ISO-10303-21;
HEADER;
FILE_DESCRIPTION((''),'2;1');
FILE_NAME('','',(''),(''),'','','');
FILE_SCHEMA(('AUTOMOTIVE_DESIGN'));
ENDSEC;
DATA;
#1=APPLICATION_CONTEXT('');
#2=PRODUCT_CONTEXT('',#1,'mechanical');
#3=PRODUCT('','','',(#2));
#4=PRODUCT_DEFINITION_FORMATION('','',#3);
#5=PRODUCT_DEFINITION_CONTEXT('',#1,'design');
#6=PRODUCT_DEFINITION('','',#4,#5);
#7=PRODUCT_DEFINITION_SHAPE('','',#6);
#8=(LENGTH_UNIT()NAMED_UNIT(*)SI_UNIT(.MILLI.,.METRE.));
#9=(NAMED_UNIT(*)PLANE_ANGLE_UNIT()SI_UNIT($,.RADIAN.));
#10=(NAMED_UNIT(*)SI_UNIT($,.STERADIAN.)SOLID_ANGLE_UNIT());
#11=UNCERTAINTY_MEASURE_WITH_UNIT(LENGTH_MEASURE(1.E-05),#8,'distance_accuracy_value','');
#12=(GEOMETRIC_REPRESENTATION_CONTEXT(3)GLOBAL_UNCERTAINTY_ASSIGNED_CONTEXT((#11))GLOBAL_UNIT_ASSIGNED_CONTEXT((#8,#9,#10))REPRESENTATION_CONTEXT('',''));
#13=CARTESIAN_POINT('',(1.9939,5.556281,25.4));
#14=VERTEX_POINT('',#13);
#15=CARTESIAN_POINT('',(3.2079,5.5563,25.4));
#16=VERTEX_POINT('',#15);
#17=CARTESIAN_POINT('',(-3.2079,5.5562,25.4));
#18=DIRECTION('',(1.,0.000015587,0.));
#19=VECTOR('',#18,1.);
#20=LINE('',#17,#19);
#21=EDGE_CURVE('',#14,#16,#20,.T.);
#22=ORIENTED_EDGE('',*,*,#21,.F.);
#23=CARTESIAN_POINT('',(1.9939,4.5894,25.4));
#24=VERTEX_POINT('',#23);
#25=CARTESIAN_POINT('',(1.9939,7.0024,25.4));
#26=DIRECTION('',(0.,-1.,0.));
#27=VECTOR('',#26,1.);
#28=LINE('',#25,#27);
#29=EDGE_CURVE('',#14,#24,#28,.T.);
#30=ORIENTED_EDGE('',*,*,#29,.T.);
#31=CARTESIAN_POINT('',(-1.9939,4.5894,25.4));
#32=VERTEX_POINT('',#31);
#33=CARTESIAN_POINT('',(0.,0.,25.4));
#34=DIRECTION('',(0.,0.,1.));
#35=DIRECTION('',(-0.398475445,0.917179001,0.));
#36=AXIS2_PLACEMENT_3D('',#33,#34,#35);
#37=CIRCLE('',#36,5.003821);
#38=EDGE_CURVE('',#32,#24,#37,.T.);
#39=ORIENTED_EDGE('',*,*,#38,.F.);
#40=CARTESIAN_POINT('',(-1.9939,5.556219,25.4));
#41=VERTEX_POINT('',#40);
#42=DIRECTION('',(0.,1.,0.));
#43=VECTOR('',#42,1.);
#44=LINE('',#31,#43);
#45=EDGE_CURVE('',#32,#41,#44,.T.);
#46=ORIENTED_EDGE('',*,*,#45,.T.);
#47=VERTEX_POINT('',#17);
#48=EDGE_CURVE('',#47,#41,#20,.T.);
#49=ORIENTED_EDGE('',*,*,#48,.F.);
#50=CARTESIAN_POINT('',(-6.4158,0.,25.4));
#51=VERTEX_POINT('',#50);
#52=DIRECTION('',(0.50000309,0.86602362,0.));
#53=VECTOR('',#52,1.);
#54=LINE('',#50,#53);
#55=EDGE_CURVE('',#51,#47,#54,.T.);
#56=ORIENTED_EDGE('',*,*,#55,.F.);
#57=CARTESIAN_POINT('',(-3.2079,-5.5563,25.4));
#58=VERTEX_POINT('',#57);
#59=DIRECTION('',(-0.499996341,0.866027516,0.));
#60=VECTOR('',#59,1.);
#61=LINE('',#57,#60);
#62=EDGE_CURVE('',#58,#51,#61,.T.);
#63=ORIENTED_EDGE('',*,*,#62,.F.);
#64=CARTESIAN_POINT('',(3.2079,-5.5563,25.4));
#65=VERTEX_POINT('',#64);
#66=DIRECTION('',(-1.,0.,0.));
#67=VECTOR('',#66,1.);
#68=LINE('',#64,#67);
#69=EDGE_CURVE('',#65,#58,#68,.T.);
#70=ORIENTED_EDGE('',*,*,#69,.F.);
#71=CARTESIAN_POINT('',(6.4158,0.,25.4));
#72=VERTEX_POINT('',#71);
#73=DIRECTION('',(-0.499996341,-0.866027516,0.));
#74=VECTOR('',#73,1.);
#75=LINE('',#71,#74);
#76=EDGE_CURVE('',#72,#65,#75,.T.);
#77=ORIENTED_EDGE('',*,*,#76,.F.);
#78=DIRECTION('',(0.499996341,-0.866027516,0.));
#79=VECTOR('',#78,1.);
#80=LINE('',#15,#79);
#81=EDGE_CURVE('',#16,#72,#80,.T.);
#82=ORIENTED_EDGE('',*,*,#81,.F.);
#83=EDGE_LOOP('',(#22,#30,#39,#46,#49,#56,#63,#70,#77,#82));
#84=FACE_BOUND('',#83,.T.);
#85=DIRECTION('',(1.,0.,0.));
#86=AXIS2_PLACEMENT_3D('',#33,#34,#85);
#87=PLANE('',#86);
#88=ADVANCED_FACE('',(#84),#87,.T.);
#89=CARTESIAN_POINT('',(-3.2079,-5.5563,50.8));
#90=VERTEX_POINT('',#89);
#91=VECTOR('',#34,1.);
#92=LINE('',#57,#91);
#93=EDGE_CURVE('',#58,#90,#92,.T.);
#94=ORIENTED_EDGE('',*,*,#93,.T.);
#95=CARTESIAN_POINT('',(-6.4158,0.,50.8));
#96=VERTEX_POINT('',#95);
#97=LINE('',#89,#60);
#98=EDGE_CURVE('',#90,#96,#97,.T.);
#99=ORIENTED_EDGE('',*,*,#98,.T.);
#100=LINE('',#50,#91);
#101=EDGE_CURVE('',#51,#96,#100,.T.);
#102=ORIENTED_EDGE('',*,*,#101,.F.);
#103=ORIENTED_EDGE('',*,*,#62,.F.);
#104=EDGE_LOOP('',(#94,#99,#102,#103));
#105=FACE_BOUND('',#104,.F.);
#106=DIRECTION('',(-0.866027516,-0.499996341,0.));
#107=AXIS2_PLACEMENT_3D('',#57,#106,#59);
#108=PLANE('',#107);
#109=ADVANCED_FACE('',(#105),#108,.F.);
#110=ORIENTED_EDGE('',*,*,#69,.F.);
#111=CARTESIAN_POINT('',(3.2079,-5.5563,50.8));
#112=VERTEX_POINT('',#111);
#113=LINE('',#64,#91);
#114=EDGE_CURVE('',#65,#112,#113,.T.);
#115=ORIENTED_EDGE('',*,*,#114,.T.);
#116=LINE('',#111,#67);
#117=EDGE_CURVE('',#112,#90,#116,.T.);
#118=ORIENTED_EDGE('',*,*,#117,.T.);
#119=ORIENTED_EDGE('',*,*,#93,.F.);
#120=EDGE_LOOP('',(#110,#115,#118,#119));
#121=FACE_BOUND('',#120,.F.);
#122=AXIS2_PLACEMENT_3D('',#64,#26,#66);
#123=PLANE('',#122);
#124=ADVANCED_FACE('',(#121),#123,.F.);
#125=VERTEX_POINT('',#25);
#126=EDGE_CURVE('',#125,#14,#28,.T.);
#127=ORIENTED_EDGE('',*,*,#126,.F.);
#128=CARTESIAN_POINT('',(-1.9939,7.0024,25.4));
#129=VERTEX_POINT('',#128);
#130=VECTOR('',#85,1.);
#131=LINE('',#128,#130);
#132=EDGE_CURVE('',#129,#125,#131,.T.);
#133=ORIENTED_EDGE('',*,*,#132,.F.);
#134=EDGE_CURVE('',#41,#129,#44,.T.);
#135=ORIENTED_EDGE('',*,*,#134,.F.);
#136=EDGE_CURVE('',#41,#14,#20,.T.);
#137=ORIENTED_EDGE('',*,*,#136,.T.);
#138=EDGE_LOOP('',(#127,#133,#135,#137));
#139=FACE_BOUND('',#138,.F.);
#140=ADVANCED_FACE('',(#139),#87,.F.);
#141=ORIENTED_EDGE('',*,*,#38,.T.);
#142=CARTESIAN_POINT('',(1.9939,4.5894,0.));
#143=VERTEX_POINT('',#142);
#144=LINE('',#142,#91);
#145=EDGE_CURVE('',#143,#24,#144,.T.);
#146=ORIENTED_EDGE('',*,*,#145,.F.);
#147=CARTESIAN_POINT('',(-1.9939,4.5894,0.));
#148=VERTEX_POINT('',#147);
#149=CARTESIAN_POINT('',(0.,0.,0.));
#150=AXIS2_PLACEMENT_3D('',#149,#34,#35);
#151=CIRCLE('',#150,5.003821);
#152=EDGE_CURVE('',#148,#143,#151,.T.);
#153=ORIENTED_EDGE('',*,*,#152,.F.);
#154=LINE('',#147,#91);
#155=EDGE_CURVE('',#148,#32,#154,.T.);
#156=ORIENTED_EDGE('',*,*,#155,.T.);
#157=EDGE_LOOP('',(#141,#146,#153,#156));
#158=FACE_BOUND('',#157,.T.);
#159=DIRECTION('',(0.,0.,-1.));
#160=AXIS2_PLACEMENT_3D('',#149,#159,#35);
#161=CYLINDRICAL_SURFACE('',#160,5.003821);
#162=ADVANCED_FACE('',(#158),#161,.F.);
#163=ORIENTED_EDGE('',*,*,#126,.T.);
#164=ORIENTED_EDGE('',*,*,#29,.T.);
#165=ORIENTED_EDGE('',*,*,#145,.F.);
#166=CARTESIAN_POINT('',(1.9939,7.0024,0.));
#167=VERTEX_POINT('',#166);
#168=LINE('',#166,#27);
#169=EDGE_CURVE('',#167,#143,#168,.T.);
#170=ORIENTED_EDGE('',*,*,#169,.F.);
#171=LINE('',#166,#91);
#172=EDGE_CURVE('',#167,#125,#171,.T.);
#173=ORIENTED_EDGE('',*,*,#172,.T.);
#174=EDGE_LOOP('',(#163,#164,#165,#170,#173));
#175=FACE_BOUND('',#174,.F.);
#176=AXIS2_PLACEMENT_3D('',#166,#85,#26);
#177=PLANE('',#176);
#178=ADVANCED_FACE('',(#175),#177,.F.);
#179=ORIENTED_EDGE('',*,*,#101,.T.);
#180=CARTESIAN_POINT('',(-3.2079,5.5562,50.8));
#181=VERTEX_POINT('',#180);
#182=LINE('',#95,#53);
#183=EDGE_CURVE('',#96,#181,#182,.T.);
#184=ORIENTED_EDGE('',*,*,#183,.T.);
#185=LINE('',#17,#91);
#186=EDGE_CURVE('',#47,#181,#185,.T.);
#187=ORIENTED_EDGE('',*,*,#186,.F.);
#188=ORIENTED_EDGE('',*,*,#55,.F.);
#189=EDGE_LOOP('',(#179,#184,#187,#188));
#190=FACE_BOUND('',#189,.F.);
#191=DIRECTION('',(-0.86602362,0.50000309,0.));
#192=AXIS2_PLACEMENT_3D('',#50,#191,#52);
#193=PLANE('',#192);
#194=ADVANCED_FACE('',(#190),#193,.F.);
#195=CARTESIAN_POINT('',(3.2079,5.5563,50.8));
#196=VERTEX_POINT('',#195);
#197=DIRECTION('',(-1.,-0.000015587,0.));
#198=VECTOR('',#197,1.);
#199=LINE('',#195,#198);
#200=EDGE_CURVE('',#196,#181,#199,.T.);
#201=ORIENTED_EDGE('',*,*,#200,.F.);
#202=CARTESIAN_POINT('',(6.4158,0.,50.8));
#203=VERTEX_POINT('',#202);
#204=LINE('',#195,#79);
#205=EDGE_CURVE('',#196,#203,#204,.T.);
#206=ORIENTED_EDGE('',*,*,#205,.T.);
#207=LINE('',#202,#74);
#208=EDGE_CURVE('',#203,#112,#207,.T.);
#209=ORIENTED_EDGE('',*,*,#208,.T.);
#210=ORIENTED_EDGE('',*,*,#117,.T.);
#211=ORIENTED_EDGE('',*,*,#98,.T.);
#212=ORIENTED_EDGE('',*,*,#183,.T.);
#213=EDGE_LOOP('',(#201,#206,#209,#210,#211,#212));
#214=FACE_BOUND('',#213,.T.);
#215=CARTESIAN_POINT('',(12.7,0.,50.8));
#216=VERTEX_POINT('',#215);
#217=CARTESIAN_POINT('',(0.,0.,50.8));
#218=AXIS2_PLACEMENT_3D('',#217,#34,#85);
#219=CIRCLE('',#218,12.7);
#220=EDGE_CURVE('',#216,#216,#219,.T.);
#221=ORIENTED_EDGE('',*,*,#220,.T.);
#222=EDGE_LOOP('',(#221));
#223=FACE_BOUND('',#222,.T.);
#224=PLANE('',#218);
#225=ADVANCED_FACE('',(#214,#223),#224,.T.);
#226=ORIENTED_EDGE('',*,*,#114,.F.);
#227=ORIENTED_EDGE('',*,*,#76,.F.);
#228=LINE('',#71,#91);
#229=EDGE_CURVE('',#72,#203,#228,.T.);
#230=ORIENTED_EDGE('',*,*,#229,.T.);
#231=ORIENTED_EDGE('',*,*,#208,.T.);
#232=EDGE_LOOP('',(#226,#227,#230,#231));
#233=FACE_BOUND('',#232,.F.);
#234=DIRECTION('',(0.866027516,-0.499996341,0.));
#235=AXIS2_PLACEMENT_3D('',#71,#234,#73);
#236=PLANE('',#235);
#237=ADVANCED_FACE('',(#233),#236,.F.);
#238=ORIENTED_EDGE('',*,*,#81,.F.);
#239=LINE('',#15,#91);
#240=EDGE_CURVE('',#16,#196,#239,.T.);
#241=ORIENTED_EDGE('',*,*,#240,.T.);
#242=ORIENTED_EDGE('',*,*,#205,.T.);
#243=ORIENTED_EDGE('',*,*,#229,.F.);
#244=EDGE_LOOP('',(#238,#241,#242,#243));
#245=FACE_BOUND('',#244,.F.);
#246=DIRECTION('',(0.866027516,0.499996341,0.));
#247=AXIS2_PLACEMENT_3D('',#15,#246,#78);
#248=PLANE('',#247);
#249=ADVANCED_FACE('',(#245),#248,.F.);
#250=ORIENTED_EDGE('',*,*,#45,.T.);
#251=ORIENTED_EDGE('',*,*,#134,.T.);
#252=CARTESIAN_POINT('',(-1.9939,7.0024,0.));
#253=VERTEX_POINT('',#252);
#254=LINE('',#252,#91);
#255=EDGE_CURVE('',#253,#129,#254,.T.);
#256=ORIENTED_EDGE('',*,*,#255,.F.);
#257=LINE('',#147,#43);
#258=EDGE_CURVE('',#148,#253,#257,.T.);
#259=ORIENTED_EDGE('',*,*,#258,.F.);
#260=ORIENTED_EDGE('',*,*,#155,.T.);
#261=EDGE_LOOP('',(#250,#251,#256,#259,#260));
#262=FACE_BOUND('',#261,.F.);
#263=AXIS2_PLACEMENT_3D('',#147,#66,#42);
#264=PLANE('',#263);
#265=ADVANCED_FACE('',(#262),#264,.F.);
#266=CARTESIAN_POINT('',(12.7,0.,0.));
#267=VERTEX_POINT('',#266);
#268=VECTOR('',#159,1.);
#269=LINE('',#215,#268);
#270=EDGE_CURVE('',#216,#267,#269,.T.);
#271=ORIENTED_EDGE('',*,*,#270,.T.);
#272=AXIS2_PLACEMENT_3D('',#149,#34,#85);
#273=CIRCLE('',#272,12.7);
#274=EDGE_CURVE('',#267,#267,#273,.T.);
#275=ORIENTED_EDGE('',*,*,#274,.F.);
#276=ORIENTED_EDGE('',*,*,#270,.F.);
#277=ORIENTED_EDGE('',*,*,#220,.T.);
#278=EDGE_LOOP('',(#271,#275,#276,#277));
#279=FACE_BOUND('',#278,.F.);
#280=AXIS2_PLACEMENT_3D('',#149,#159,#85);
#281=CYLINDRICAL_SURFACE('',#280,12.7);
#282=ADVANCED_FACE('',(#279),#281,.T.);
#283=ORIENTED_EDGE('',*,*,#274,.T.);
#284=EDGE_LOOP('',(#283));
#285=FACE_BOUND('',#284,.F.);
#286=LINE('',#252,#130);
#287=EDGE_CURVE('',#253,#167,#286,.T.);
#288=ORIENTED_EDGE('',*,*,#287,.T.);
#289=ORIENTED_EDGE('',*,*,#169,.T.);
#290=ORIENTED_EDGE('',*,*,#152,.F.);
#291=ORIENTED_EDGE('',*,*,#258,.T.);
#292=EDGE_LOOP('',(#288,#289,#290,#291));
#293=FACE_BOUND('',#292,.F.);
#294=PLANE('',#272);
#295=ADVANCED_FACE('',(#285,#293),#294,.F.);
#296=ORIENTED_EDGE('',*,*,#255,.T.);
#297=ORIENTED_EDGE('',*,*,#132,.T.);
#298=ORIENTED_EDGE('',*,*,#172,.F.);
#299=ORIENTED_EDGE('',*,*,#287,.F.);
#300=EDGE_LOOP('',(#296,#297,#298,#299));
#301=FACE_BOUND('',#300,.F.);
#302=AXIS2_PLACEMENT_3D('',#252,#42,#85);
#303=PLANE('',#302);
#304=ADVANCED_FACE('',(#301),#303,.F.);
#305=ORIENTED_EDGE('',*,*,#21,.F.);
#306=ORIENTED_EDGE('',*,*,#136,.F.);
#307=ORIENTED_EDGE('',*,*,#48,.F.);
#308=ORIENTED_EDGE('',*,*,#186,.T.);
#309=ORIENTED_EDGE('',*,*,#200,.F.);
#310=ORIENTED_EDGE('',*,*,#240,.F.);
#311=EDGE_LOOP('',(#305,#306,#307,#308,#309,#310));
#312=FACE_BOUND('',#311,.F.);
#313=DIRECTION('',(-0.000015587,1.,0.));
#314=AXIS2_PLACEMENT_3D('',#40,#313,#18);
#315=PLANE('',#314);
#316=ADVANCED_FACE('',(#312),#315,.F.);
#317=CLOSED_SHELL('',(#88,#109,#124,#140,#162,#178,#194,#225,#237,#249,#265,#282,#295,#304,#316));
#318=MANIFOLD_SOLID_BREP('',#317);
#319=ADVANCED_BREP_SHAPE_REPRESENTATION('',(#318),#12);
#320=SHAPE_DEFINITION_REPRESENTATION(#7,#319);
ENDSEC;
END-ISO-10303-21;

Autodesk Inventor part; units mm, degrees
ref_plane "YZ Plane" through (0, 0, 0) normal (1, 0, 0) x (0, 1, 0)
ref_plane "XZ Plane" through (0, 0, 0) normal (0, 1, 0) x (-1, 0, 0)
ref_plane "XY Plane" through (0, 0, 0) normal (0, 0, 1) x (1, 0, 0)
sketch "Sketch1" plane through (0, 0, 0) normal (0, 0, 1) x (1, 0, 0)
  arc A0 (-1.9939, 4.5894) -> (1.9939, 4.5894) centre (0, 0) ccw
  circle A1 centre (0, 0) radius 12.7
  line L0 (-1.9939, 4.5894) -> (-1.9939, 7.0024)
  line L1 (-1.9939, 7.0024) -> (1.9939, 7.0024)
  line L2 (1.9939, 7.0024) -> (1.9939, 4.5894)
  point P0 (0, 5.0038)
  dimension "d0" = 10.0076
  dimension "d1" = 25.4
  dimension "d5" = 2.413
extrude "Extrusion1" add sketch "Sketch1" along normal blind 25.4
sketch "Sketch2" plane through (0, 0, 25.4) normal (0, 0, 1) x (1, 0, 0)
  line L0 (-1.9939, 4.5894) -> (-1.9939, 7.0024) projected
  line L1 (-1.9939, 7.0024) -> (1.9939, 7.0024) projected
  line L2 (1.9939, 7.0024) -> (1.9939, 4.5894) projected
  arc A0 (-1.9939, 4.5894) -> (1.9939, 4.5894) centre (0, 0) ccw projected
  circle A1 centre (0, 0) radius 12.7 projected
  circle A2 centre (0, 0) radius 12.7
  line L3 (6.4158, 0) -> (3.2079, -5.5563)
  line L4 (3.2079, -5.5563) -> (-3.2079, -5.5563)
  line L5 (-3.2079, -5.5563) -> (-6.4158, 0)
  line L6 (-6.4158, 0) -> (-3.2079, 5.5562)
  line L7 (-3.2079, 5.5562) -> (3.2079, 5.5563)
  line L8 (3.2079, 5.5563) -> (6.4158, 0)
  line L9 (-1.9939, 7.0024) -> (1.9939, 7.0024)
  line L10 (1.9939, 7.0024) -> (1.9939, 5.5563)
  line L11 (1.9939, 5.5563) -> (-1.9939, 5.5563)
  line L12 (-1.9939, 5.5563) -> (-1.9939, 7.0024)
  dimension "d8" = 11.1125
extrude "Extrusion2" add sketch "Sketch2" along normal blind 25.4 contours L0 L1 L2 L7 | A1
properties material "ABS Plastic"
